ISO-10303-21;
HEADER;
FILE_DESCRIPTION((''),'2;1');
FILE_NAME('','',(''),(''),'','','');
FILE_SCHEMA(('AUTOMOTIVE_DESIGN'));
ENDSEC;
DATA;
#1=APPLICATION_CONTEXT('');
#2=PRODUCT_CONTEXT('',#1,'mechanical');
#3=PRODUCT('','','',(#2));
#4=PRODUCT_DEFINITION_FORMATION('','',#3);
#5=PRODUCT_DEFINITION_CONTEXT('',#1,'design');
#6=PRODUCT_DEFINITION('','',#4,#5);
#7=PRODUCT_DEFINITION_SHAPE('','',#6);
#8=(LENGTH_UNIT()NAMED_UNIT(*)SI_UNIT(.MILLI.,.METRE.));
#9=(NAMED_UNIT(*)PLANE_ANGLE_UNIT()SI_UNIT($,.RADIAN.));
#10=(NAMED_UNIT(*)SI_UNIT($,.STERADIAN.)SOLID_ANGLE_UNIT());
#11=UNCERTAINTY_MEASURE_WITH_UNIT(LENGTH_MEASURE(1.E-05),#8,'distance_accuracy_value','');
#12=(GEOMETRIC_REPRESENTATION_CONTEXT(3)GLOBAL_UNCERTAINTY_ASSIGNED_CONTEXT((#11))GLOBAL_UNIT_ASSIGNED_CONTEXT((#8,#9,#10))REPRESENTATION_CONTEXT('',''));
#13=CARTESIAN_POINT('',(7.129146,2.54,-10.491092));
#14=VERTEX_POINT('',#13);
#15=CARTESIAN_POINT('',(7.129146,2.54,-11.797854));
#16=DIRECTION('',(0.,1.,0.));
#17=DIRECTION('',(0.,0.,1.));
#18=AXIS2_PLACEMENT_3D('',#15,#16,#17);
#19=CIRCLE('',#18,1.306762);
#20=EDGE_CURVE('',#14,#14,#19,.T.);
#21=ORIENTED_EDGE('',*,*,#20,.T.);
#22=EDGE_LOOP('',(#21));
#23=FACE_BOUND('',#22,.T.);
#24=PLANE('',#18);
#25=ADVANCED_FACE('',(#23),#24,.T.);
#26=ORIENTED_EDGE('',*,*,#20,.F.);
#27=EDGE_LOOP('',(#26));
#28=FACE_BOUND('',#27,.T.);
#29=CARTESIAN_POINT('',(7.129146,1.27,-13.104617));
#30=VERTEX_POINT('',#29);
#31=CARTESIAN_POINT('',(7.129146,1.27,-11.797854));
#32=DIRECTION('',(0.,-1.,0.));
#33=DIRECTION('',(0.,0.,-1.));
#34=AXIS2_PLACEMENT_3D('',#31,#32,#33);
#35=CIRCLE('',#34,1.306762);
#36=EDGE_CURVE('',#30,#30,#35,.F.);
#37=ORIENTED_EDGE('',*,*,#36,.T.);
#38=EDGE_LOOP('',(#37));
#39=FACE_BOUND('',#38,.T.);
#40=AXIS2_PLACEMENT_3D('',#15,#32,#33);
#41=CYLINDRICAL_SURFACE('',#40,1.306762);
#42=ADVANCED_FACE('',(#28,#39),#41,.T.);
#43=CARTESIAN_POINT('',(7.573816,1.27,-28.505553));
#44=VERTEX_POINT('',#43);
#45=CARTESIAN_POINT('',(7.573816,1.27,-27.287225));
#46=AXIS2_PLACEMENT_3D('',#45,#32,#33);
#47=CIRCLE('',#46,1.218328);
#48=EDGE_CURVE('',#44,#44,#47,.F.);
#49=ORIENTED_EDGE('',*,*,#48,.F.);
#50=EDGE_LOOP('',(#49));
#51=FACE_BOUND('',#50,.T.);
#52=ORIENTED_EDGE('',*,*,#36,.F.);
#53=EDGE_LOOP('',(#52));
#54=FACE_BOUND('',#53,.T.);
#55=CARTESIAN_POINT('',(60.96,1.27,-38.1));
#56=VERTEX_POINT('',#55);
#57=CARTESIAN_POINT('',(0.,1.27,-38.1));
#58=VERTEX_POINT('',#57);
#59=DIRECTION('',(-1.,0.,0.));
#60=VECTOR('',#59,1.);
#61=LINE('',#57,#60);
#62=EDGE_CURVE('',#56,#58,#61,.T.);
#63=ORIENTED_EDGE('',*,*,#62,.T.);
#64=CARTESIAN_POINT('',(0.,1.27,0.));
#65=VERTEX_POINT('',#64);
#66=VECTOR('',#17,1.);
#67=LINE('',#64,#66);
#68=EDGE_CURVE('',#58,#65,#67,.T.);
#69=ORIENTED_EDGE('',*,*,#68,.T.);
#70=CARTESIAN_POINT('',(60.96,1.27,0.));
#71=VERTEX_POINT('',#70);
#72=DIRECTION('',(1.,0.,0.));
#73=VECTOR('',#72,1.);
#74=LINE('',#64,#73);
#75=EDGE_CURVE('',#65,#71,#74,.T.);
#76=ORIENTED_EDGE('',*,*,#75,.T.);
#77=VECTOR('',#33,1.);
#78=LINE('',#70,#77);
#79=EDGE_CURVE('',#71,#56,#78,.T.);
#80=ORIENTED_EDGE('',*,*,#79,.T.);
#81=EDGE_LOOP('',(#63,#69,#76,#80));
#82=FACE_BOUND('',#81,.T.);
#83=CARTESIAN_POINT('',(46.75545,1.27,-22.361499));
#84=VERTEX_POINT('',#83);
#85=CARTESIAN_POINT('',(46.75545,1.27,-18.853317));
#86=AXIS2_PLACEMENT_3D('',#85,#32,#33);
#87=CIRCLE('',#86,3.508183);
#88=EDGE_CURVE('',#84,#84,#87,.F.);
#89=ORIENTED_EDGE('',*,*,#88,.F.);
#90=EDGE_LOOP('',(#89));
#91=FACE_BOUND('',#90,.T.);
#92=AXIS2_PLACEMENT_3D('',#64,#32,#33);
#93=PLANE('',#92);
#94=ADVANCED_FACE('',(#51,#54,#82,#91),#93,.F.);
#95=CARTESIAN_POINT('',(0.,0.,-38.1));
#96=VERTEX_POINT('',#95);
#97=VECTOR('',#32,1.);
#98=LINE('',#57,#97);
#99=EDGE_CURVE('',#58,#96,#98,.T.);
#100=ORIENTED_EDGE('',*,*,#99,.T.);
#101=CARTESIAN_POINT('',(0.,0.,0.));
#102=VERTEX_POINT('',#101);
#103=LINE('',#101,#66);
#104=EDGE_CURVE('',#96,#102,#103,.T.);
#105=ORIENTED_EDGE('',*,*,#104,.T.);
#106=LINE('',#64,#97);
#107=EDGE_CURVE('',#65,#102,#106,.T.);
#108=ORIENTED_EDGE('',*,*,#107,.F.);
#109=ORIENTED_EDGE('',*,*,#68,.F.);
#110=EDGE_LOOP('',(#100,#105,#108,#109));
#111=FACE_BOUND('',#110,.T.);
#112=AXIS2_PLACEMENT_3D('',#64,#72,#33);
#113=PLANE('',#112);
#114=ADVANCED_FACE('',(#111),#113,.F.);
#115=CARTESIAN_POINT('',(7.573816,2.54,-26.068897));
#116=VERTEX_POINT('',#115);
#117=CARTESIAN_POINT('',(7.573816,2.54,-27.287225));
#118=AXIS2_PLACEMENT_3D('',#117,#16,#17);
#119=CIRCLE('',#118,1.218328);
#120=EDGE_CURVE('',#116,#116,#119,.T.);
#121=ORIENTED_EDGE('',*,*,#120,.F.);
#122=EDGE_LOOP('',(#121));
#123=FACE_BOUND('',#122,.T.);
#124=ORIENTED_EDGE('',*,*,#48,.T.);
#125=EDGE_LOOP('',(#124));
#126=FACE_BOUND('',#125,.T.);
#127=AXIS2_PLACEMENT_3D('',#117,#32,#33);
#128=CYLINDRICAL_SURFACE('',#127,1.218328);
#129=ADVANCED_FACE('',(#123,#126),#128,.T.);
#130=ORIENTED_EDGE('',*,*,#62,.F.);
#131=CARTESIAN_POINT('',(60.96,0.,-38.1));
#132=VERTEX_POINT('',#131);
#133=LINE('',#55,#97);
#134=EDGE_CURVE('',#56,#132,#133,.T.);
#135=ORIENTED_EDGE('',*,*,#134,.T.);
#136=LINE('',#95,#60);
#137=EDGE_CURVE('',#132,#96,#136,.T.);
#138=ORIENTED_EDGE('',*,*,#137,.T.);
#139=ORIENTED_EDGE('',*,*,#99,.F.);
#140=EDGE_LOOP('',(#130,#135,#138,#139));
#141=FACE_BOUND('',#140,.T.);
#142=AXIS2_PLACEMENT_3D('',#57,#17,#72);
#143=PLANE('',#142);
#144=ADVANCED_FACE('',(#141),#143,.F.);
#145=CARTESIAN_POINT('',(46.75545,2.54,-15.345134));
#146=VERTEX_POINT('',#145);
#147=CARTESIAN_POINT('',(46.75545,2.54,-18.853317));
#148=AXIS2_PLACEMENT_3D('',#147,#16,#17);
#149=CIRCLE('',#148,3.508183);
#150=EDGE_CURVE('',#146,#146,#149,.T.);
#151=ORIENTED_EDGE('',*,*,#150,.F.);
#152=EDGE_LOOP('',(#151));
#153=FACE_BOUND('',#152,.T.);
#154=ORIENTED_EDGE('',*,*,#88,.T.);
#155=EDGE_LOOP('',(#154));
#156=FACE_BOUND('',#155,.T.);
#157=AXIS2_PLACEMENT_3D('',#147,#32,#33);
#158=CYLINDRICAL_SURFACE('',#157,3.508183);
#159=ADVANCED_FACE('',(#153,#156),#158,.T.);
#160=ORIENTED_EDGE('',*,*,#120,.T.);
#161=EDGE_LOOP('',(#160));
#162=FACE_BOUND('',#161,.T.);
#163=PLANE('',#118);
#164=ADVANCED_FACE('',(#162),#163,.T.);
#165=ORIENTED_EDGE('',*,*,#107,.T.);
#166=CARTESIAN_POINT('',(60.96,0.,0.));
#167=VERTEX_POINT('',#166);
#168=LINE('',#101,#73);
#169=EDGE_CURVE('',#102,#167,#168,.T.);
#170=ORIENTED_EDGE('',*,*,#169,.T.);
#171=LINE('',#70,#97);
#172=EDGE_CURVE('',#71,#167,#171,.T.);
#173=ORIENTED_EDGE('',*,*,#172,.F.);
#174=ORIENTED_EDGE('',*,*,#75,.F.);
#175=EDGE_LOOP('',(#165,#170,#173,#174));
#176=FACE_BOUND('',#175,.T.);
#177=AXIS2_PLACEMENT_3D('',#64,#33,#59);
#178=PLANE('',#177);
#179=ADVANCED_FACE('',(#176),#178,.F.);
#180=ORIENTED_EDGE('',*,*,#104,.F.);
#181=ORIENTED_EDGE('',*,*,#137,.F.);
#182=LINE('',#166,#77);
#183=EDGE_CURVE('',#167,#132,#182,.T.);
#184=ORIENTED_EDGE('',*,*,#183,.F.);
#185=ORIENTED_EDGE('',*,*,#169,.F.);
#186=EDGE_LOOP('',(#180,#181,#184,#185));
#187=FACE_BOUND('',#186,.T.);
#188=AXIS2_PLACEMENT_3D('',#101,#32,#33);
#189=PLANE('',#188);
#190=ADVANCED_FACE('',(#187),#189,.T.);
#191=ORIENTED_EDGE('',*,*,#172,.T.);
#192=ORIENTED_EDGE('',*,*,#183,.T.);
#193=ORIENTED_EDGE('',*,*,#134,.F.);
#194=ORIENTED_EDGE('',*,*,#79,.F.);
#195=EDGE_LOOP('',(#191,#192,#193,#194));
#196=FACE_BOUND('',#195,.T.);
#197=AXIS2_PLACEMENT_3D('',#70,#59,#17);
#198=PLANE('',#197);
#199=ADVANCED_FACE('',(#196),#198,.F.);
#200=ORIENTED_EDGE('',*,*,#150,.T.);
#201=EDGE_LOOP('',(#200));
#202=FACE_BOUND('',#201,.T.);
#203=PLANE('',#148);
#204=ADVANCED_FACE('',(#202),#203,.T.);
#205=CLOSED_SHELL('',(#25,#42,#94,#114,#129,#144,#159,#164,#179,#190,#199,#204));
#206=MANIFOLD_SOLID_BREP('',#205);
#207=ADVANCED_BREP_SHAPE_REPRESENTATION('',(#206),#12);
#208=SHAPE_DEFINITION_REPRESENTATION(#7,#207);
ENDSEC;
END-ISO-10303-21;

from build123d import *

# Parameters (mm, degrees)
SKETCH1_W           = 60.96
SKETCH1_H           = 38.1
BOSS_EXTRUDE1_DEPTH = 1.27
SKETCH4_R           = 3.508182763
BOSS_EXTRUDE3_DEPTH = 1.27
SKETCH5_R           = 1.218327791
BOSS_EXTRUDE4_DEPTH = 1.27
SKETCH6_R           = 1.306762437
BOSS_EXTRUDE5_DEPTH = 1.27


with BuildPart() as part:
    # Sketch1 → Boss-Extrude1 (new body)
    with BuildSketch(Plane(origin=(0, 0, 0), x_dir=(1, 0, 0), z_dir=(0, 1, 0))):
        with Locations((30.48, 19.05)):
            Rectangle(SKETCH1_W, SKETCH1_H)
    extrude(amount=BOSS_EXTRUDE1_DEPTH)

    # Sketch4 → Boss-Extrude3 (add)
    with BuildSketch(Plane(origin=(0, 1.27, 0), x_dir=(1, 0, 0), z_dir=(0, 1, 0))):
        with Locations(Location((46.755450333, 18.853316636, 0), (0, 0, 90))):
            Circle(SKETCH4_R)
    extrude(amount=BOSS_EXTRUDE3_DEPTH)

    # Sketch5 → Boss-Extrude4 (add)
    with BuildSketch(Plane(origin=(0, 1.27, 0), x_dir=(1, 0, 0), z_dir=(0, 1, 0))):
        with Locations(Location((7.573815533, 27.287225202, 0), (0, 0, 90))):
            Circle(SKETCH5_R)
    extrude(amount=BOSS_EXTRUDE4_DEPTH)

    # Sketch6 → Boss-Extrude5 (add)
    with BuildSketch(Plane(origin=(0, 1.27, 0), x_dir=(1, 0, 0), z_dir=(0, 1, 0))):
        with Locations(Location((7.129145723, 11.797854205, 0), (0, 0, 90))):
            Circle(SKETCH6_R)
    extrude(amount=BOSS_EXTRUDE5_DEPTH)


solid = part.part
